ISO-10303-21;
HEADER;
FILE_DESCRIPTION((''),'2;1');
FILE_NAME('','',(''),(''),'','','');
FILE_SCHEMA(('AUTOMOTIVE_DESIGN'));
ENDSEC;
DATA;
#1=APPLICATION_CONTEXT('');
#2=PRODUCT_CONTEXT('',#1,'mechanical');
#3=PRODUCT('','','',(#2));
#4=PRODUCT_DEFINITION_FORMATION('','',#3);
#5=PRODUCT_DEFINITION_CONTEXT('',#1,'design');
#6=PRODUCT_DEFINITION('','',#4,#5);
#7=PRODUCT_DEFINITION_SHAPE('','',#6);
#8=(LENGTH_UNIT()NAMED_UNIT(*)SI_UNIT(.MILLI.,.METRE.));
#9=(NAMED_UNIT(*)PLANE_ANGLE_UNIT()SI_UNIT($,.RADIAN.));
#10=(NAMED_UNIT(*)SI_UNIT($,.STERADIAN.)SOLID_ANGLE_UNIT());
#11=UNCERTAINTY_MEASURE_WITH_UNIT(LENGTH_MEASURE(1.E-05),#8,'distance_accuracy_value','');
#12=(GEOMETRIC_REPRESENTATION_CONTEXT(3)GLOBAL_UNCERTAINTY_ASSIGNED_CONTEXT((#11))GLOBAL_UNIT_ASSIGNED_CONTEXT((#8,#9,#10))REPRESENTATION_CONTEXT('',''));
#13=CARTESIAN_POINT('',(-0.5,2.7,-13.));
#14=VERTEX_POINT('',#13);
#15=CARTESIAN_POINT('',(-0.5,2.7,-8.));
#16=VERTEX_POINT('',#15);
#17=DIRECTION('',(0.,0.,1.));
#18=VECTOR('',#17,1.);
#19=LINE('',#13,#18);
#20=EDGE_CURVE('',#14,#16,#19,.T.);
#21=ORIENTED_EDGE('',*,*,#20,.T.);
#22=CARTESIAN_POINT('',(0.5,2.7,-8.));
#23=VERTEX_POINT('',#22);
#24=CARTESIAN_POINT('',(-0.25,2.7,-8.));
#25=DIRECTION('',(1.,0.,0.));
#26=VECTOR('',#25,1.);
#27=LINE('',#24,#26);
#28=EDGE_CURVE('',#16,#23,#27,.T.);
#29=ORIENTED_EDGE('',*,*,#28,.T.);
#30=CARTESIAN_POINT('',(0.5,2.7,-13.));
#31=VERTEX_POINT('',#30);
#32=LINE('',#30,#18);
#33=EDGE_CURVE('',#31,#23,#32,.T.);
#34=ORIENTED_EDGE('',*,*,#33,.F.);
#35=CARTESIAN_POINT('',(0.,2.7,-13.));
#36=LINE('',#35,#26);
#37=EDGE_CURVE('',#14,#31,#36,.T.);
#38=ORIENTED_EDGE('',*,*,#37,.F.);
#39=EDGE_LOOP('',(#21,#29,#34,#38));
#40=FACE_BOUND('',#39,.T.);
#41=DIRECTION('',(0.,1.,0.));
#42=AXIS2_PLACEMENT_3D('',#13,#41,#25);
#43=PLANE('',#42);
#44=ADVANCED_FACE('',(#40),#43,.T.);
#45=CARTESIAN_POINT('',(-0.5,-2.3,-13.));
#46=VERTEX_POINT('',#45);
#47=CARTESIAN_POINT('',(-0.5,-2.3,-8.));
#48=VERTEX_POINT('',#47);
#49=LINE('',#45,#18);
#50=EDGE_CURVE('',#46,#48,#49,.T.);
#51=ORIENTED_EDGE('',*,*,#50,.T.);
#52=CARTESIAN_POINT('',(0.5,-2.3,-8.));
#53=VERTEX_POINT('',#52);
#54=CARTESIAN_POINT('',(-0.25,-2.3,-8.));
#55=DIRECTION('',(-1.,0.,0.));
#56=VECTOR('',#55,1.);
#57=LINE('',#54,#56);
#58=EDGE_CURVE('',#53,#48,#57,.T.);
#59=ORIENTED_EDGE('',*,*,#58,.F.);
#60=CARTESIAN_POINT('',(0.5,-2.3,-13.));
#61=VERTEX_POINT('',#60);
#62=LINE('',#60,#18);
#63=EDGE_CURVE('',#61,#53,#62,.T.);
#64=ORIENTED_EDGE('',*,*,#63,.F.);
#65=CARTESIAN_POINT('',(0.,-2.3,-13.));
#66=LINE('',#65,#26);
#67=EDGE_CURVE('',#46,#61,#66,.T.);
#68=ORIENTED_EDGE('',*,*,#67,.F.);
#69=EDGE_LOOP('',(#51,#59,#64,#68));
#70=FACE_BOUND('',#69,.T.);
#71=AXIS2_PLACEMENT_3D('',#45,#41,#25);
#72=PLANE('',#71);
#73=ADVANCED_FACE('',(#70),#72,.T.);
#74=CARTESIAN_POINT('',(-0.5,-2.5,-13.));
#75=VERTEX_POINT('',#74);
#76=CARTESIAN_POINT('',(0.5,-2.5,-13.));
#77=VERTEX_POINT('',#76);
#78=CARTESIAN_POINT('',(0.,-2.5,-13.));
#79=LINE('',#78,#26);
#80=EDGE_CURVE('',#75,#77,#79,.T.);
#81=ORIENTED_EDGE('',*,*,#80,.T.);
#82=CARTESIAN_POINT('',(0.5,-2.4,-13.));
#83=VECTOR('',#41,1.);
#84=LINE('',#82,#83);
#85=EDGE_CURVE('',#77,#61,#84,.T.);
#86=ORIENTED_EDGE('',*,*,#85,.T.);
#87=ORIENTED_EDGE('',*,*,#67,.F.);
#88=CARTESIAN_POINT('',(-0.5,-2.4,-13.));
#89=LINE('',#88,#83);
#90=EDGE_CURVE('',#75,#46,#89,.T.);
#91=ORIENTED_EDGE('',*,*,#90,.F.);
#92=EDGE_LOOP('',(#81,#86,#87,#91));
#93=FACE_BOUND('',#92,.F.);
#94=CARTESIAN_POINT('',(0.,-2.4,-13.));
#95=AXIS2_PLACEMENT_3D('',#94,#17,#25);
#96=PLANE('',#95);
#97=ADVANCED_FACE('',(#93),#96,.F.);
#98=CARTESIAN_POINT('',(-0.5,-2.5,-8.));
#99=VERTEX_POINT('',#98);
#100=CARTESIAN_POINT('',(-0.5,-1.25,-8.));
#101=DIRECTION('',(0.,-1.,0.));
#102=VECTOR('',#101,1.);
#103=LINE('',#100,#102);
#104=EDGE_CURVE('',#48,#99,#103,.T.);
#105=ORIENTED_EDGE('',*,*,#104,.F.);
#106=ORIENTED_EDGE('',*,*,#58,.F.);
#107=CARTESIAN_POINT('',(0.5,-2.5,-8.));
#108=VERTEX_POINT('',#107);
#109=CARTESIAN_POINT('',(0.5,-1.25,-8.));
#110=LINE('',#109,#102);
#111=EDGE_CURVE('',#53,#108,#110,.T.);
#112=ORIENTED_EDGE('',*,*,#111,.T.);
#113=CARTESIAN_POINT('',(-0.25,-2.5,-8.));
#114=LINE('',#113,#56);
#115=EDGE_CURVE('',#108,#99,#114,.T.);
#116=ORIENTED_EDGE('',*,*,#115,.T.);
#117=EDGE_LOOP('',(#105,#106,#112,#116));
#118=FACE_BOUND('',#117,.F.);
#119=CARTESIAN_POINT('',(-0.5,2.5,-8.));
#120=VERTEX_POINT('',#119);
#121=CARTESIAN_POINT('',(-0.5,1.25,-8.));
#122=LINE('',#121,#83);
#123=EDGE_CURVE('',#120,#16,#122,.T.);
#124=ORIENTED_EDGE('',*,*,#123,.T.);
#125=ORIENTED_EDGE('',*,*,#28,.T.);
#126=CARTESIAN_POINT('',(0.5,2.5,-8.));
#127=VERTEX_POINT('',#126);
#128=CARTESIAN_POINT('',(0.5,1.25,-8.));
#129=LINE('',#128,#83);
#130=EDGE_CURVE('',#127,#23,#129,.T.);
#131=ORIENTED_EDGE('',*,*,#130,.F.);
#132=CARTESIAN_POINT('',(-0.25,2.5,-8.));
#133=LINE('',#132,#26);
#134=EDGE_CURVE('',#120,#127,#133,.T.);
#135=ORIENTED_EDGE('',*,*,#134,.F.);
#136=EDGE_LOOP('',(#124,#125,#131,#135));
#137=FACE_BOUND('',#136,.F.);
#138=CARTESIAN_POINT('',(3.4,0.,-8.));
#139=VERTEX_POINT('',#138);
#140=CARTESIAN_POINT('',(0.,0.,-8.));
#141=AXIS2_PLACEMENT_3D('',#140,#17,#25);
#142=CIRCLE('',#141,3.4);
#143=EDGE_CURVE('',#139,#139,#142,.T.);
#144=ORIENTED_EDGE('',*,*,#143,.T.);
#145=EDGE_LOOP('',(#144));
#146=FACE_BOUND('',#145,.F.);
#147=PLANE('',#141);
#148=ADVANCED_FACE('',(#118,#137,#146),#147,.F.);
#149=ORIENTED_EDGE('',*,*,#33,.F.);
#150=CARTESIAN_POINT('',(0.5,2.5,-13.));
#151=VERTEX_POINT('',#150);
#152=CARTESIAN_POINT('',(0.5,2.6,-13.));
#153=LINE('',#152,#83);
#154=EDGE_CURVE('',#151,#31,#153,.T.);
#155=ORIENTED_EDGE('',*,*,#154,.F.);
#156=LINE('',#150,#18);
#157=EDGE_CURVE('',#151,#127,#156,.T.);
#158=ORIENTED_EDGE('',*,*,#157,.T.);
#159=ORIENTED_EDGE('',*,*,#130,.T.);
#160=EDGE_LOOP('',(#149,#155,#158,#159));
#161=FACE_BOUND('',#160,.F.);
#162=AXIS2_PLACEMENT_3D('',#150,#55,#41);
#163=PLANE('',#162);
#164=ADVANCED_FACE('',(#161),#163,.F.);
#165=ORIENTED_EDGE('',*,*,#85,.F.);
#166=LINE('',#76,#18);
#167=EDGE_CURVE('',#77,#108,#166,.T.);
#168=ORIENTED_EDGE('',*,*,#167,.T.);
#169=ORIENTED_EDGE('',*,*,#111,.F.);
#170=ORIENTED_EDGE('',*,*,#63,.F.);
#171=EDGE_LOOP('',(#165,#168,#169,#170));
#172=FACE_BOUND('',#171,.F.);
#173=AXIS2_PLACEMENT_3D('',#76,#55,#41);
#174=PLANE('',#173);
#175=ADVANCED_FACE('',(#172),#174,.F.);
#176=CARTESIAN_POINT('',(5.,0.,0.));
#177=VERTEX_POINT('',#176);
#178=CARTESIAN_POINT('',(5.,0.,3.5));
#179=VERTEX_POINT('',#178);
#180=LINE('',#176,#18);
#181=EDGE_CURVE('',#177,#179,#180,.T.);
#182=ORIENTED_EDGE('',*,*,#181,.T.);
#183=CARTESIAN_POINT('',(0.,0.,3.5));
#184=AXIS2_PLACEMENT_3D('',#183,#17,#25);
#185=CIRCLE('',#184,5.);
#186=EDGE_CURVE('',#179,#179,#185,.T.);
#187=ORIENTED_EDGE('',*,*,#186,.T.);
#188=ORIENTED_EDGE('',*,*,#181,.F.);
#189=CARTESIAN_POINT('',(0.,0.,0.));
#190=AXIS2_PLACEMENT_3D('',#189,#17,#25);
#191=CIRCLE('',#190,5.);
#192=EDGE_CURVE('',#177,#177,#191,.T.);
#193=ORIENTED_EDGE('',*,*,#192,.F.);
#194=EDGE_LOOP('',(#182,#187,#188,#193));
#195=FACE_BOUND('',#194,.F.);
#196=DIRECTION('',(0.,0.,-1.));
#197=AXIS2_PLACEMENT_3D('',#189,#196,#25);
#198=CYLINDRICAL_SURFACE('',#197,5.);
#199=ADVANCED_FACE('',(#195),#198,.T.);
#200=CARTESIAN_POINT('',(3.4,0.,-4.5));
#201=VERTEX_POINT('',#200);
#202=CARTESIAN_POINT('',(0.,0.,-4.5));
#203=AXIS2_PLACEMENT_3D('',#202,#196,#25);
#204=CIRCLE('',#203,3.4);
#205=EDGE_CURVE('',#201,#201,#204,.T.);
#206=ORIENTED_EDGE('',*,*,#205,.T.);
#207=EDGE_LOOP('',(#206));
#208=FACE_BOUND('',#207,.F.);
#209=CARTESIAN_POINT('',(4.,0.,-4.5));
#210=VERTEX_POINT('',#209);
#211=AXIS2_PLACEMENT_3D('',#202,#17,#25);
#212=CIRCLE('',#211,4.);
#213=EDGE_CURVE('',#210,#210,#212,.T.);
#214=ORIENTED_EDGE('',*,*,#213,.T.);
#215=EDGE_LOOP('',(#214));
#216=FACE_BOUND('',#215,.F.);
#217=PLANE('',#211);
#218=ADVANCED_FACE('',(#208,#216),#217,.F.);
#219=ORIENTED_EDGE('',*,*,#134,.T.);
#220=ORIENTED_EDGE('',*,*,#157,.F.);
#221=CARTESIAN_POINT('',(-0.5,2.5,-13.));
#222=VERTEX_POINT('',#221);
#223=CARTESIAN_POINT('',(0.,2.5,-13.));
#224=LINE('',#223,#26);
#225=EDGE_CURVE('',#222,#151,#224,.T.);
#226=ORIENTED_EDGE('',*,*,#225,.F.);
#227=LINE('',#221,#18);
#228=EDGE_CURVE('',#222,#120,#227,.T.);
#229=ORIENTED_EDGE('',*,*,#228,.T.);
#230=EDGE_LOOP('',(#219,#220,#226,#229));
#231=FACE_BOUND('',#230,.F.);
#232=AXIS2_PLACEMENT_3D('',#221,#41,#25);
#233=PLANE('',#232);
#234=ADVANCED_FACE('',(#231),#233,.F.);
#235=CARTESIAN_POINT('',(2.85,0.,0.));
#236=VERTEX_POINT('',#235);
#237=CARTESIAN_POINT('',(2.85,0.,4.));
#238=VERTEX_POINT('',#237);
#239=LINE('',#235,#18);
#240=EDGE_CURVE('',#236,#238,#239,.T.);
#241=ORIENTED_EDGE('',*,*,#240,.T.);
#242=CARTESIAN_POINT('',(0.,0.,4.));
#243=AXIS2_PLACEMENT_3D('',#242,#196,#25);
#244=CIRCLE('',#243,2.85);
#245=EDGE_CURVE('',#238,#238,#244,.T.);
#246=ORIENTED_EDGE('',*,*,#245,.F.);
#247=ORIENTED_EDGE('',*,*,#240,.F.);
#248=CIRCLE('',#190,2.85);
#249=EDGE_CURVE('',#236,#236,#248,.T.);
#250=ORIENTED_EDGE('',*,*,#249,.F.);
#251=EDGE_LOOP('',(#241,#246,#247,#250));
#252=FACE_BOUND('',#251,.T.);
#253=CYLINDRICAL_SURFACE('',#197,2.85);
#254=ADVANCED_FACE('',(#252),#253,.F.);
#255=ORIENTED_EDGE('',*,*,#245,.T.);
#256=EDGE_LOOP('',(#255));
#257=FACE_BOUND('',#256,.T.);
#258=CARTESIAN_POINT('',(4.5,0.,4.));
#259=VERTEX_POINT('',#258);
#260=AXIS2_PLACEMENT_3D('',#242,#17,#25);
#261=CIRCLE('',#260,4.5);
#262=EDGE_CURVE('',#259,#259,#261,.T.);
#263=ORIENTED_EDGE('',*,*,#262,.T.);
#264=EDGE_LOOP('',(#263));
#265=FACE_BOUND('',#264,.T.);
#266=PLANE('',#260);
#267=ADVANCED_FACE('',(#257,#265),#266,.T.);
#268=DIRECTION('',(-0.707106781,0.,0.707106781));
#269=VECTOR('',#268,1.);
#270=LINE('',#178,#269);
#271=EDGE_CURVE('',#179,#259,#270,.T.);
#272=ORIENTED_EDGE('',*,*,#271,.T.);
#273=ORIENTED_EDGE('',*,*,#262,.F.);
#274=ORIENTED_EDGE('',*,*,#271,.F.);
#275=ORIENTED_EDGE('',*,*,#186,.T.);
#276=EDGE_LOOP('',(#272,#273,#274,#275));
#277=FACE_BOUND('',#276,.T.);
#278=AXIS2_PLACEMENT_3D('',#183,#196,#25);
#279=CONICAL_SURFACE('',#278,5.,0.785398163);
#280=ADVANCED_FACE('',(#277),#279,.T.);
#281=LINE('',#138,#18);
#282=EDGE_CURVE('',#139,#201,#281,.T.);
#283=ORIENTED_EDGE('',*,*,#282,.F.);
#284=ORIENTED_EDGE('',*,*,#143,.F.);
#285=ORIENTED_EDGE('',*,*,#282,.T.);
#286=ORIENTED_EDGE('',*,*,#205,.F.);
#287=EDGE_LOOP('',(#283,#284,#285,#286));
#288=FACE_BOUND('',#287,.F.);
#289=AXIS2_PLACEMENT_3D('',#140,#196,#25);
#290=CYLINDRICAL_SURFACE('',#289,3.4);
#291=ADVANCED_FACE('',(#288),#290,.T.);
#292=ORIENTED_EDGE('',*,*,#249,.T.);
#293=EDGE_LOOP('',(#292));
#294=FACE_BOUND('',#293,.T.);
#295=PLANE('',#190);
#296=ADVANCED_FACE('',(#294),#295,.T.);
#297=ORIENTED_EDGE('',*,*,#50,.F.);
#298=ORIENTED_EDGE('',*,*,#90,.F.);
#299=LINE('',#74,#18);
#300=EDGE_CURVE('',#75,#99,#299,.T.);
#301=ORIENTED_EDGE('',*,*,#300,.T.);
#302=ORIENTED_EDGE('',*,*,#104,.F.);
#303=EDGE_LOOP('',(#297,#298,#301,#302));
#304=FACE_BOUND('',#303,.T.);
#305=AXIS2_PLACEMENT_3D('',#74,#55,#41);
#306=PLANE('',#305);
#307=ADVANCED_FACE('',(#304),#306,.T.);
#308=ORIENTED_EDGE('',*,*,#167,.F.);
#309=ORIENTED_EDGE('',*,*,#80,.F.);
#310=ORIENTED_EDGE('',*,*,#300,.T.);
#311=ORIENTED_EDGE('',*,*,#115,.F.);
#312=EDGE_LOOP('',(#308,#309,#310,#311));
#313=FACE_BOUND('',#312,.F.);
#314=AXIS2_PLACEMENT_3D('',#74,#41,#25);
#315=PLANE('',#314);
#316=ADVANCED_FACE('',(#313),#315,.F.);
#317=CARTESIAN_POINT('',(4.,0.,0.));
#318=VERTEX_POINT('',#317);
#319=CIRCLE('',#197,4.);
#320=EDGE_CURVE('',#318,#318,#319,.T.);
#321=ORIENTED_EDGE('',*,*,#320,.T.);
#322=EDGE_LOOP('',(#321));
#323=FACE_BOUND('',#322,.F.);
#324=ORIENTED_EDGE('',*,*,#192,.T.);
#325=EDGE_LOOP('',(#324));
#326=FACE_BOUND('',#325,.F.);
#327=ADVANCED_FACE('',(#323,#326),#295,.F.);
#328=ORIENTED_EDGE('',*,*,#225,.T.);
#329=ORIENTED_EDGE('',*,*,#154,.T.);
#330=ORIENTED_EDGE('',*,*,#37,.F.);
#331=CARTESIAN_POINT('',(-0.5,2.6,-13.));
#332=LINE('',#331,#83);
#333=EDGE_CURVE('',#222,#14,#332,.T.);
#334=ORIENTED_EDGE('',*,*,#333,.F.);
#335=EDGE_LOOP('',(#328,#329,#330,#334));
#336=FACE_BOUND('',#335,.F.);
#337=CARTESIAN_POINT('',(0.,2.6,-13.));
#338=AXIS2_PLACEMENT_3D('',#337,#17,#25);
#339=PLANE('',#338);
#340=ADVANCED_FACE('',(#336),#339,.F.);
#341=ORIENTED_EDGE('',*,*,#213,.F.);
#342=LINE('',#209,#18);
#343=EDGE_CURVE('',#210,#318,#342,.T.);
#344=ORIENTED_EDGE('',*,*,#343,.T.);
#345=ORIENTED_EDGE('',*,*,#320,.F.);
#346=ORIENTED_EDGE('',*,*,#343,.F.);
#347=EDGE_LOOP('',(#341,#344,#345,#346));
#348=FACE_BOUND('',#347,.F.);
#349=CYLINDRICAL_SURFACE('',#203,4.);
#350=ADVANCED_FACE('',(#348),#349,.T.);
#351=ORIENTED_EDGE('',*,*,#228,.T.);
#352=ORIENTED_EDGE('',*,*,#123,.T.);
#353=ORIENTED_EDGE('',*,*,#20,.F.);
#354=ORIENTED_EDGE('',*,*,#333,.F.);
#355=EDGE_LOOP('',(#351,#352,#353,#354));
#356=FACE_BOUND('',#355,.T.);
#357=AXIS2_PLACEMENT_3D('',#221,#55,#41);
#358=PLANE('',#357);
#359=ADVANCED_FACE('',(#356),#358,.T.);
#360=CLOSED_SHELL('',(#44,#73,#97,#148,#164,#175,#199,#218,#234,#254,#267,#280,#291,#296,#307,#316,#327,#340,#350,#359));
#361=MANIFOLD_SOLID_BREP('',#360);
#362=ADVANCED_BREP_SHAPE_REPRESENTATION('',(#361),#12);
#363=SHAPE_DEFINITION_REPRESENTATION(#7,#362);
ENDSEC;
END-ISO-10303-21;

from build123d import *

# Parameters (mm, degrees)
CYLINDER003_R     = 2.85
CYLINDER003_DEPTH = 10
BOX_W             = 1
BOX_H             = 0.2
BOX_DEPTH         = 5.1
CYLINDER002_R     = 3.4
CYLINDER002_DEPTH = 8.5
BOX001_W          = 1
BOX001_H          = 0.2
BOX001_DEPTH      = 5.1
CYLINDER_R        = 5
CYLINDER_DEPTH    = 4
CHAMFER_SIZE      = 0.5
CYLINDER001_R     = 4
CYLINDER001_DEPTH = 4.6


with BuildPart() as hole:
    # Cylinder003 → Cylinder003 (new body)
    with BuildSketch(Plane.XY):
        Circle(CYLINDER003_R)
    extrude(amount=CYLINDER003_DEPTH)


with BuildPart() as contact01:
    # Box → Box (new body)
    with BuildSketch(Plane(origin=(-0.5, 2.5, -13), x_dir=(1, 0, 0), z_dir=(0, 0, 1))):
        with Locations((0.5, 0.1)):
            Rectangle(BOX_W, BOX_H)
    extrude(amount=BOX_DEPTH)


with BuildPart() as cylinder002:
    # Cylinder002 → Cylinder002 (new body)
    with BuildSketch(Plane.XY.offset(-8)):
        Circle(CYLINDER002_R)
    extrude(amount=CYLINDER002_DEPTH)


with BuildPart() as contact002:
    # Box001 → Box001 (new body)
    with BuildSketch(Plane(origin=(-0.5, -2.5, -13), x_dir=(1, 0, 0), z_dir=(0, 0, 1))):
        with Locations((0.5, 0.1)):
            Rectangle(BOX001_W, BOX001_H)
    extrude(amount=BOX001_DEPTH)


with BuildPart() as chamfer_body:
    # Cylinder → Cylinder (new body)
    with BuildSketch(Plane.XY):
        Circle(CYLINDER_R)
    extrude(amount=CYLINDER_DEPTH)

    # Chamfer
    chamfer_edges = [chamfer_body.edges().sort_by_distance(p)[0] for p in [
        (-5, 0, 4),
    ]]
    chamfer(chamfer_edges, length=CHAMFER_SIZE)


with BuildPart() as powerconnector:
    # Cylinder001 → Cylinder001 (new body)
    with BuildSketch(Plane.XY.offset(-4.5)):
        Circle(CYLINDER001_R)
    extrude(amount=CYLINDER001_DEPTH)

    # Fusion: union contact01, Cylinder002, contact002, Chamfer body
    add(contact01.part)
    add(cylinder002.part)
    add(contact002.part)
    add(chamfer_body.part)

    # Cut: cut hole
    add(hole.part, mode=Mode.SUBTRACT)


solid = powerconnector.part
